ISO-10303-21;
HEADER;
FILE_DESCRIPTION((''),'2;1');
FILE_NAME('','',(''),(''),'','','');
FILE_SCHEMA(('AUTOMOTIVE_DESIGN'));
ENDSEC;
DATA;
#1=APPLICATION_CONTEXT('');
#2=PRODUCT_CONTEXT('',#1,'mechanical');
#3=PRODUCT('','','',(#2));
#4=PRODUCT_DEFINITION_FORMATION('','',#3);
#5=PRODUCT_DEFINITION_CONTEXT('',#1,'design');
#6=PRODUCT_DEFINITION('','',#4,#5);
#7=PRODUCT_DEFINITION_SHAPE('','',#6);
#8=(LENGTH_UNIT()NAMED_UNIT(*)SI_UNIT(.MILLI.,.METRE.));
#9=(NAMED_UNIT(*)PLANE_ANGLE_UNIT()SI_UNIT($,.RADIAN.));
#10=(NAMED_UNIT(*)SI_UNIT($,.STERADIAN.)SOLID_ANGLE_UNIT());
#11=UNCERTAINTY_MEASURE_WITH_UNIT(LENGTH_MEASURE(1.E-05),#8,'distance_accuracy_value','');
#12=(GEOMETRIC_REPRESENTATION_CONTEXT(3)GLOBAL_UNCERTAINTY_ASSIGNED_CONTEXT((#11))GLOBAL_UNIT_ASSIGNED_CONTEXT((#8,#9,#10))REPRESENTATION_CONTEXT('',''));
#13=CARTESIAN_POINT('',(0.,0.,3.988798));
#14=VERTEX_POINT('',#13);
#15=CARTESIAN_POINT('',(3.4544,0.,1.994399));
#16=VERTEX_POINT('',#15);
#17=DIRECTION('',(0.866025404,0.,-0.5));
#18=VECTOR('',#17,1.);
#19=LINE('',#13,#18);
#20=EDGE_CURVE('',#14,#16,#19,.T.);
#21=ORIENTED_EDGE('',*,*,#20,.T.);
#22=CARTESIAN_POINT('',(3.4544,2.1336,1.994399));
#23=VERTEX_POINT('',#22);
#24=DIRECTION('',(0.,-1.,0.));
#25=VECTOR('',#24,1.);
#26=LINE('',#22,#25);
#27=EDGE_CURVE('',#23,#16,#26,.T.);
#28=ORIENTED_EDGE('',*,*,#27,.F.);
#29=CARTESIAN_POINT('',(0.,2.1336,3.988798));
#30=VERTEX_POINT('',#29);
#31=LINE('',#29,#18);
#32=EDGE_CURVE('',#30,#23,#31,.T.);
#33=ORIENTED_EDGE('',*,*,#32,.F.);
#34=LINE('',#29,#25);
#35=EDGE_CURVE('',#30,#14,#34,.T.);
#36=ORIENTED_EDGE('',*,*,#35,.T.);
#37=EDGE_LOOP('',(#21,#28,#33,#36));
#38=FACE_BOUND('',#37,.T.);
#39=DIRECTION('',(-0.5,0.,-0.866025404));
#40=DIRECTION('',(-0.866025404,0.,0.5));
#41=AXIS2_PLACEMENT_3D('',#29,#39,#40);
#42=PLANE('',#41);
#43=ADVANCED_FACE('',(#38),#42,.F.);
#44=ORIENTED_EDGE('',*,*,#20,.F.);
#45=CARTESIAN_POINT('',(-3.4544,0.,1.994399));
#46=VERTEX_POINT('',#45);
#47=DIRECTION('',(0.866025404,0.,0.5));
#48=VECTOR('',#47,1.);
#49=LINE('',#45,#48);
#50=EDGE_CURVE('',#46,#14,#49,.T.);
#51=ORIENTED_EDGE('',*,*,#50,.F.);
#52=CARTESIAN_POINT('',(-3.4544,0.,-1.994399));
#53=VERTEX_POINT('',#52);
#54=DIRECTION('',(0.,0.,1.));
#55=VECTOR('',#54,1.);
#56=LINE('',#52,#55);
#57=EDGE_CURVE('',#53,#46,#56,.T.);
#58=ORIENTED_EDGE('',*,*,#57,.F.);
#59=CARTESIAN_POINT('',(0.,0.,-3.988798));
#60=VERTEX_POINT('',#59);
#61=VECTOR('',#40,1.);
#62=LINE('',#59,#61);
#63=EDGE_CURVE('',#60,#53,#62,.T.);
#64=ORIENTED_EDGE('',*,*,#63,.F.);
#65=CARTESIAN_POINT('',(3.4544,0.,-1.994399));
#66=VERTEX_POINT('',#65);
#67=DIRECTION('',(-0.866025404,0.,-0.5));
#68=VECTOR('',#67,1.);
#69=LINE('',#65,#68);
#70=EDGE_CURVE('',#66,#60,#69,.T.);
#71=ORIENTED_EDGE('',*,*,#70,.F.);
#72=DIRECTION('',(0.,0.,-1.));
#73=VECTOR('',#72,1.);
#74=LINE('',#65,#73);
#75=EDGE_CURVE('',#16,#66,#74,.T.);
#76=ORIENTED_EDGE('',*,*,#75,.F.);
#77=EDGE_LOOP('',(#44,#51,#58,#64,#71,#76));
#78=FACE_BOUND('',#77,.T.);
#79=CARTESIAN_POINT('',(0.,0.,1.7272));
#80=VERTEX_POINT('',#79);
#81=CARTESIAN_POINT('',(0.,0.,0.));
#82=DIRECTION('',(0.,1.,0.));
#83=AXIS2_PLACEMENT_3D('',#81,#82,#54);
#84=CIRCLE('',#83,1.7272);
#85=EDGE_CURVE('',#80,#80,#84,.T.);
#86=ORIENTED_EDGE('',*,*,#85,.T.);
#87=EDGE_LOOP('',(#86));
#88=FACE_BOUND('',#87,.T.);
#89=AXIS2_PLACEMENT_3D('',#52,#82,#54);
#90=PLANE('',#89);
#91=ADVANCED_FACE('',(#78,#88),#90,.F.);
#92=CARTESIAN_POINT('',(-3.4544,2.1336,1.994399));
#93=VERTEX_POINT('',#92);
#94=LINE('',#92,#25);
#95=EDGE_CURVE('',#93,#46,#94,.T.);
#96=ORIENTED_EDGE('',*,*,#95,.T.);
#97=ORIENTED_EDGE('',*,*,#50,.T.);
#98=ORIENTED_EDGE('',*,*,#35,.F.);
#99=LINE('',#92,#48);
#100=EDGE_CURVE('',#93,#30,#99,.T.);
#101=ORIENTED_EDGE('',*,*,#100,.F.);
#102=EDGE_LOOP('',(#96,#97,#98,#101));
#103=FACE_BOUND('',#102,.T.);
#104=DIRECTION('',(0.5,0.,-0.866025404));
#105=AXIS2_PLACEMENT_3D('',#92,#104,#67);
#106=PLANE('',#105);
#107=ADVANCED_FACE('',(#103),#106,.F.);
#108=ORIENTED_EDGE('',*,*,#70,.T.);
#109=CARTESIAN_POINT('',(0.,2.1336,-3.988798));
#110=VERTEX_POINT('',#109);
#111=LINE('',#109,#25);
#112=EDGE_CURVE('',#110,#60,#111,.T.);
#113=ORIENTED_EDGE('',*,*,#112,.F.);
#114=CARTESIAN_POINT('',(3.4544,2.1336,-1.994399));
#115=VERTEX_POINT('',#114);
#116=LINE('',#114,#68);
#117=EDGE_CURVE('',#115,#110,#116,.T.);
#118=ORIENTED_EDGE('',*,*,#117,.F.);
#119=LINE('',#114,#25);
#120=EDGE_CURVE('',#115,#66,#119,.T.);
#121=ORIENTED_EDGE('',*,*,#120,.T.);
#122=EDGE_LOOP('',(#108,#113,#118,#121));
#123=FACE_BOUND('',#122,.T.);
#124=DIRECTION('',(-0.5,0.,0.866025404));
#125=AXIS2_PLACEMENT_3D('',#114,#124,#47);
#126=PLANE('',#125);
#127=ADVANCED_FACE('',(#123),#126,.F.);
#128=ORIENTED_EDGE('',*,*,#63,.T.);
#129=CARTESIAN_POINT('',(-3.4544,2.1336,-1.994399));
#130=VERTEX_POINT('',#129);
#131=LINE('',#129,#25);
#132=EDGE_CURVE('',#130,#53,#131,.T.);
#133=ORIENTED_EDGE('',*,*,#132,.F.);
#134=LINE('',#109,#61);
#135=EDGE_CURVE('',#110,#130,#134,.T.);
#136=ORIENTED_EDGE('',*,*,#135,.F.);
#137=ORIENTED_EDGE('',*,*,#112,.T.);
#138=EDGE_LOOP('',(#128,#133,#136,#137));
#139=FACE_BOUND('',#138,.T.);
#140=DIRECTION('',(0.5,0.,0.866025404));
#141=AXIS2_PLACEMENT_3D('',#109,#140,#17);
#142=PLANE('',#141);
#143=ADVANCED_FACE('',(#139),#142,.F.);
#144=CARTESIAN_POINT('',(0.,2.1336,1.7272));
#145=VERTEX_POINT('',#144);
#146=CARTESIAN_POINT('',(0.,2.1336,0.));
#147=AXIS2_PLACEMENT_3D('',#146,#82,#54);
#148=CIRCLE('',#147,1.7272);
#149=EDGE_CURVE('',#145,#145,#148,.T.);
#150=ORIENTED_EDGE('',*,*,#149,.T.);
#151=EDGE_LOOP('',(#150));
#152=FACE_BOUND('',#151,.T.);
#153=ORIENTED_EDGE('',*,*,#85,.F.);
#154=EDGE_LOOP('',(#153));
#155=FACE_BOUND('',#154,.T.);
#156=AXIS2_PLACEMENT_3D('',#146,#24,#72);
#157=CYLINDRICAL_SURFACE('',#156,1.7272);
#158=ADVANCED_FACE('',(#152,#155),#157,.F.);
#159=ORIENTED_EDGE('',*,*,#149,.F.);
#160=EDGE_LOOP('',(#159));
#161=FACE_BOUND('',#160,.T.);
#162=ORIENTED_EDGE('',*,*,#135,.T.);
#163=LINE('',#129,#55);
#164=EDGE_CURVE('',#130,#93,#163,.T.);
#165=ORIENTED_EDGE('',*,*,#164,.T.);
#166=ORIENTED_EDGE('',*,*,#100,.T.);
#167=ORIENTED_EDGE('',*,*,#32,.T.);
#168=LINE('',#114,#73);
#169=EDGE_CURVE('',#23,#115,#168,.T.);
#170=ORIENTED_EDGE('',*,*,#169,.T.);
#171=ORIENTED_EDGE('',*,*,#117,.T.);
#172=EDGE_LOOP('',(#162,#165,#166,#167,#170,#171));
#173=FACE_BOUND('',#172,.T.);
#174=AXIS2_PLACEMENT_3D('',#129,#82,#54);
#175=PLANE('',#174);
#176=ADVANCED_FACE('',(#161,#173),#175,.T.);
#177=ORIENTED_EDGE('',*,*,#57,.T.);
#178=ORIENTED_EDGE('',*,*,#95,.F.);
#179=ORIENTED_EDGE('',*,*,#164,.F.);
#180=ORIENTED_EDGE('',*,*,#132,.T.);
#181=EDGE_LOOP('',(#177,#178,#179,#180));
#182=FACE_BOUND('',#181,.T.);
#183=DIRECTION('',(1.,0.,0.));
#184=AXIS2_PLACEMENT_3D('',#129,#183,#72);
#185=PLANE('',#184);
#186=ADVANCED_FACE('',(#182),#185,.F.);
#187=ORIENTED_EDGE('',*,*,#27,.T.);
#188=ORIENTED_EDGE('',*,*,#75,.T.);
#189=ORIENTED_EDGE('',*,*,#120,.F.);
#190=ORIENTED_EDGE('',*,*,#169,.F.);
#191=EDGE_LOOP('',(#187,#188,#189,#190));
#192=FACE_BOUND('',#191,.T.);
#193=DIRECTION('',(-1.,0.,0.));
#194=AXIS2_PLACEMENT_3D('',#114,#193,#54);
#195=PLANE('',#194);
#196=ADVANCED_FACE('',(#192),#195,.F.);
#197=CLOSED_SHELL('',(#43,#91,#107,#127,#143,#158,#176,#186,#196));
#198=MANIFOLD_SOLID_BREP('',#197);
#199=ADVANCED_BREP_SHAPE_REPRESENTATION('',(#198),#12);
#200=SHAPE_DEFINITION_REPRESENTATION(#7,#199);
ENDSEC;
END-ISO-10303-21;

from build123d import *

# Parameters (mm, degrees)
SKETCH1_R           = 1.7272
BOSS_EXTRUDE1_DEPTH = 2.1336


with BuildPart() as part:
    # Sketch1 → Boss-Extrude1 (new body)
    with BuildSketch(Plane(origin=(0, 0, 0), x_dir=(1, 0, 0), z_dir=(0, 1, 0))):
        Polygon((3.4544, 1.99439877), (3.4544, -1.99439877), (0, -3.98879754), (-3.4544, -1.99439877), (-3.4544, 1.99439877), (0, 3.98879754), align=None)
        with Locations(Location((0, 0, 0), (0, 0, 270))):
            Circle(SKETCH1_R, mode=Mode.SUBTRACT)
    extrude(amount=BOSS_EXTRUDE1_DEPTH)


solid = part.part
